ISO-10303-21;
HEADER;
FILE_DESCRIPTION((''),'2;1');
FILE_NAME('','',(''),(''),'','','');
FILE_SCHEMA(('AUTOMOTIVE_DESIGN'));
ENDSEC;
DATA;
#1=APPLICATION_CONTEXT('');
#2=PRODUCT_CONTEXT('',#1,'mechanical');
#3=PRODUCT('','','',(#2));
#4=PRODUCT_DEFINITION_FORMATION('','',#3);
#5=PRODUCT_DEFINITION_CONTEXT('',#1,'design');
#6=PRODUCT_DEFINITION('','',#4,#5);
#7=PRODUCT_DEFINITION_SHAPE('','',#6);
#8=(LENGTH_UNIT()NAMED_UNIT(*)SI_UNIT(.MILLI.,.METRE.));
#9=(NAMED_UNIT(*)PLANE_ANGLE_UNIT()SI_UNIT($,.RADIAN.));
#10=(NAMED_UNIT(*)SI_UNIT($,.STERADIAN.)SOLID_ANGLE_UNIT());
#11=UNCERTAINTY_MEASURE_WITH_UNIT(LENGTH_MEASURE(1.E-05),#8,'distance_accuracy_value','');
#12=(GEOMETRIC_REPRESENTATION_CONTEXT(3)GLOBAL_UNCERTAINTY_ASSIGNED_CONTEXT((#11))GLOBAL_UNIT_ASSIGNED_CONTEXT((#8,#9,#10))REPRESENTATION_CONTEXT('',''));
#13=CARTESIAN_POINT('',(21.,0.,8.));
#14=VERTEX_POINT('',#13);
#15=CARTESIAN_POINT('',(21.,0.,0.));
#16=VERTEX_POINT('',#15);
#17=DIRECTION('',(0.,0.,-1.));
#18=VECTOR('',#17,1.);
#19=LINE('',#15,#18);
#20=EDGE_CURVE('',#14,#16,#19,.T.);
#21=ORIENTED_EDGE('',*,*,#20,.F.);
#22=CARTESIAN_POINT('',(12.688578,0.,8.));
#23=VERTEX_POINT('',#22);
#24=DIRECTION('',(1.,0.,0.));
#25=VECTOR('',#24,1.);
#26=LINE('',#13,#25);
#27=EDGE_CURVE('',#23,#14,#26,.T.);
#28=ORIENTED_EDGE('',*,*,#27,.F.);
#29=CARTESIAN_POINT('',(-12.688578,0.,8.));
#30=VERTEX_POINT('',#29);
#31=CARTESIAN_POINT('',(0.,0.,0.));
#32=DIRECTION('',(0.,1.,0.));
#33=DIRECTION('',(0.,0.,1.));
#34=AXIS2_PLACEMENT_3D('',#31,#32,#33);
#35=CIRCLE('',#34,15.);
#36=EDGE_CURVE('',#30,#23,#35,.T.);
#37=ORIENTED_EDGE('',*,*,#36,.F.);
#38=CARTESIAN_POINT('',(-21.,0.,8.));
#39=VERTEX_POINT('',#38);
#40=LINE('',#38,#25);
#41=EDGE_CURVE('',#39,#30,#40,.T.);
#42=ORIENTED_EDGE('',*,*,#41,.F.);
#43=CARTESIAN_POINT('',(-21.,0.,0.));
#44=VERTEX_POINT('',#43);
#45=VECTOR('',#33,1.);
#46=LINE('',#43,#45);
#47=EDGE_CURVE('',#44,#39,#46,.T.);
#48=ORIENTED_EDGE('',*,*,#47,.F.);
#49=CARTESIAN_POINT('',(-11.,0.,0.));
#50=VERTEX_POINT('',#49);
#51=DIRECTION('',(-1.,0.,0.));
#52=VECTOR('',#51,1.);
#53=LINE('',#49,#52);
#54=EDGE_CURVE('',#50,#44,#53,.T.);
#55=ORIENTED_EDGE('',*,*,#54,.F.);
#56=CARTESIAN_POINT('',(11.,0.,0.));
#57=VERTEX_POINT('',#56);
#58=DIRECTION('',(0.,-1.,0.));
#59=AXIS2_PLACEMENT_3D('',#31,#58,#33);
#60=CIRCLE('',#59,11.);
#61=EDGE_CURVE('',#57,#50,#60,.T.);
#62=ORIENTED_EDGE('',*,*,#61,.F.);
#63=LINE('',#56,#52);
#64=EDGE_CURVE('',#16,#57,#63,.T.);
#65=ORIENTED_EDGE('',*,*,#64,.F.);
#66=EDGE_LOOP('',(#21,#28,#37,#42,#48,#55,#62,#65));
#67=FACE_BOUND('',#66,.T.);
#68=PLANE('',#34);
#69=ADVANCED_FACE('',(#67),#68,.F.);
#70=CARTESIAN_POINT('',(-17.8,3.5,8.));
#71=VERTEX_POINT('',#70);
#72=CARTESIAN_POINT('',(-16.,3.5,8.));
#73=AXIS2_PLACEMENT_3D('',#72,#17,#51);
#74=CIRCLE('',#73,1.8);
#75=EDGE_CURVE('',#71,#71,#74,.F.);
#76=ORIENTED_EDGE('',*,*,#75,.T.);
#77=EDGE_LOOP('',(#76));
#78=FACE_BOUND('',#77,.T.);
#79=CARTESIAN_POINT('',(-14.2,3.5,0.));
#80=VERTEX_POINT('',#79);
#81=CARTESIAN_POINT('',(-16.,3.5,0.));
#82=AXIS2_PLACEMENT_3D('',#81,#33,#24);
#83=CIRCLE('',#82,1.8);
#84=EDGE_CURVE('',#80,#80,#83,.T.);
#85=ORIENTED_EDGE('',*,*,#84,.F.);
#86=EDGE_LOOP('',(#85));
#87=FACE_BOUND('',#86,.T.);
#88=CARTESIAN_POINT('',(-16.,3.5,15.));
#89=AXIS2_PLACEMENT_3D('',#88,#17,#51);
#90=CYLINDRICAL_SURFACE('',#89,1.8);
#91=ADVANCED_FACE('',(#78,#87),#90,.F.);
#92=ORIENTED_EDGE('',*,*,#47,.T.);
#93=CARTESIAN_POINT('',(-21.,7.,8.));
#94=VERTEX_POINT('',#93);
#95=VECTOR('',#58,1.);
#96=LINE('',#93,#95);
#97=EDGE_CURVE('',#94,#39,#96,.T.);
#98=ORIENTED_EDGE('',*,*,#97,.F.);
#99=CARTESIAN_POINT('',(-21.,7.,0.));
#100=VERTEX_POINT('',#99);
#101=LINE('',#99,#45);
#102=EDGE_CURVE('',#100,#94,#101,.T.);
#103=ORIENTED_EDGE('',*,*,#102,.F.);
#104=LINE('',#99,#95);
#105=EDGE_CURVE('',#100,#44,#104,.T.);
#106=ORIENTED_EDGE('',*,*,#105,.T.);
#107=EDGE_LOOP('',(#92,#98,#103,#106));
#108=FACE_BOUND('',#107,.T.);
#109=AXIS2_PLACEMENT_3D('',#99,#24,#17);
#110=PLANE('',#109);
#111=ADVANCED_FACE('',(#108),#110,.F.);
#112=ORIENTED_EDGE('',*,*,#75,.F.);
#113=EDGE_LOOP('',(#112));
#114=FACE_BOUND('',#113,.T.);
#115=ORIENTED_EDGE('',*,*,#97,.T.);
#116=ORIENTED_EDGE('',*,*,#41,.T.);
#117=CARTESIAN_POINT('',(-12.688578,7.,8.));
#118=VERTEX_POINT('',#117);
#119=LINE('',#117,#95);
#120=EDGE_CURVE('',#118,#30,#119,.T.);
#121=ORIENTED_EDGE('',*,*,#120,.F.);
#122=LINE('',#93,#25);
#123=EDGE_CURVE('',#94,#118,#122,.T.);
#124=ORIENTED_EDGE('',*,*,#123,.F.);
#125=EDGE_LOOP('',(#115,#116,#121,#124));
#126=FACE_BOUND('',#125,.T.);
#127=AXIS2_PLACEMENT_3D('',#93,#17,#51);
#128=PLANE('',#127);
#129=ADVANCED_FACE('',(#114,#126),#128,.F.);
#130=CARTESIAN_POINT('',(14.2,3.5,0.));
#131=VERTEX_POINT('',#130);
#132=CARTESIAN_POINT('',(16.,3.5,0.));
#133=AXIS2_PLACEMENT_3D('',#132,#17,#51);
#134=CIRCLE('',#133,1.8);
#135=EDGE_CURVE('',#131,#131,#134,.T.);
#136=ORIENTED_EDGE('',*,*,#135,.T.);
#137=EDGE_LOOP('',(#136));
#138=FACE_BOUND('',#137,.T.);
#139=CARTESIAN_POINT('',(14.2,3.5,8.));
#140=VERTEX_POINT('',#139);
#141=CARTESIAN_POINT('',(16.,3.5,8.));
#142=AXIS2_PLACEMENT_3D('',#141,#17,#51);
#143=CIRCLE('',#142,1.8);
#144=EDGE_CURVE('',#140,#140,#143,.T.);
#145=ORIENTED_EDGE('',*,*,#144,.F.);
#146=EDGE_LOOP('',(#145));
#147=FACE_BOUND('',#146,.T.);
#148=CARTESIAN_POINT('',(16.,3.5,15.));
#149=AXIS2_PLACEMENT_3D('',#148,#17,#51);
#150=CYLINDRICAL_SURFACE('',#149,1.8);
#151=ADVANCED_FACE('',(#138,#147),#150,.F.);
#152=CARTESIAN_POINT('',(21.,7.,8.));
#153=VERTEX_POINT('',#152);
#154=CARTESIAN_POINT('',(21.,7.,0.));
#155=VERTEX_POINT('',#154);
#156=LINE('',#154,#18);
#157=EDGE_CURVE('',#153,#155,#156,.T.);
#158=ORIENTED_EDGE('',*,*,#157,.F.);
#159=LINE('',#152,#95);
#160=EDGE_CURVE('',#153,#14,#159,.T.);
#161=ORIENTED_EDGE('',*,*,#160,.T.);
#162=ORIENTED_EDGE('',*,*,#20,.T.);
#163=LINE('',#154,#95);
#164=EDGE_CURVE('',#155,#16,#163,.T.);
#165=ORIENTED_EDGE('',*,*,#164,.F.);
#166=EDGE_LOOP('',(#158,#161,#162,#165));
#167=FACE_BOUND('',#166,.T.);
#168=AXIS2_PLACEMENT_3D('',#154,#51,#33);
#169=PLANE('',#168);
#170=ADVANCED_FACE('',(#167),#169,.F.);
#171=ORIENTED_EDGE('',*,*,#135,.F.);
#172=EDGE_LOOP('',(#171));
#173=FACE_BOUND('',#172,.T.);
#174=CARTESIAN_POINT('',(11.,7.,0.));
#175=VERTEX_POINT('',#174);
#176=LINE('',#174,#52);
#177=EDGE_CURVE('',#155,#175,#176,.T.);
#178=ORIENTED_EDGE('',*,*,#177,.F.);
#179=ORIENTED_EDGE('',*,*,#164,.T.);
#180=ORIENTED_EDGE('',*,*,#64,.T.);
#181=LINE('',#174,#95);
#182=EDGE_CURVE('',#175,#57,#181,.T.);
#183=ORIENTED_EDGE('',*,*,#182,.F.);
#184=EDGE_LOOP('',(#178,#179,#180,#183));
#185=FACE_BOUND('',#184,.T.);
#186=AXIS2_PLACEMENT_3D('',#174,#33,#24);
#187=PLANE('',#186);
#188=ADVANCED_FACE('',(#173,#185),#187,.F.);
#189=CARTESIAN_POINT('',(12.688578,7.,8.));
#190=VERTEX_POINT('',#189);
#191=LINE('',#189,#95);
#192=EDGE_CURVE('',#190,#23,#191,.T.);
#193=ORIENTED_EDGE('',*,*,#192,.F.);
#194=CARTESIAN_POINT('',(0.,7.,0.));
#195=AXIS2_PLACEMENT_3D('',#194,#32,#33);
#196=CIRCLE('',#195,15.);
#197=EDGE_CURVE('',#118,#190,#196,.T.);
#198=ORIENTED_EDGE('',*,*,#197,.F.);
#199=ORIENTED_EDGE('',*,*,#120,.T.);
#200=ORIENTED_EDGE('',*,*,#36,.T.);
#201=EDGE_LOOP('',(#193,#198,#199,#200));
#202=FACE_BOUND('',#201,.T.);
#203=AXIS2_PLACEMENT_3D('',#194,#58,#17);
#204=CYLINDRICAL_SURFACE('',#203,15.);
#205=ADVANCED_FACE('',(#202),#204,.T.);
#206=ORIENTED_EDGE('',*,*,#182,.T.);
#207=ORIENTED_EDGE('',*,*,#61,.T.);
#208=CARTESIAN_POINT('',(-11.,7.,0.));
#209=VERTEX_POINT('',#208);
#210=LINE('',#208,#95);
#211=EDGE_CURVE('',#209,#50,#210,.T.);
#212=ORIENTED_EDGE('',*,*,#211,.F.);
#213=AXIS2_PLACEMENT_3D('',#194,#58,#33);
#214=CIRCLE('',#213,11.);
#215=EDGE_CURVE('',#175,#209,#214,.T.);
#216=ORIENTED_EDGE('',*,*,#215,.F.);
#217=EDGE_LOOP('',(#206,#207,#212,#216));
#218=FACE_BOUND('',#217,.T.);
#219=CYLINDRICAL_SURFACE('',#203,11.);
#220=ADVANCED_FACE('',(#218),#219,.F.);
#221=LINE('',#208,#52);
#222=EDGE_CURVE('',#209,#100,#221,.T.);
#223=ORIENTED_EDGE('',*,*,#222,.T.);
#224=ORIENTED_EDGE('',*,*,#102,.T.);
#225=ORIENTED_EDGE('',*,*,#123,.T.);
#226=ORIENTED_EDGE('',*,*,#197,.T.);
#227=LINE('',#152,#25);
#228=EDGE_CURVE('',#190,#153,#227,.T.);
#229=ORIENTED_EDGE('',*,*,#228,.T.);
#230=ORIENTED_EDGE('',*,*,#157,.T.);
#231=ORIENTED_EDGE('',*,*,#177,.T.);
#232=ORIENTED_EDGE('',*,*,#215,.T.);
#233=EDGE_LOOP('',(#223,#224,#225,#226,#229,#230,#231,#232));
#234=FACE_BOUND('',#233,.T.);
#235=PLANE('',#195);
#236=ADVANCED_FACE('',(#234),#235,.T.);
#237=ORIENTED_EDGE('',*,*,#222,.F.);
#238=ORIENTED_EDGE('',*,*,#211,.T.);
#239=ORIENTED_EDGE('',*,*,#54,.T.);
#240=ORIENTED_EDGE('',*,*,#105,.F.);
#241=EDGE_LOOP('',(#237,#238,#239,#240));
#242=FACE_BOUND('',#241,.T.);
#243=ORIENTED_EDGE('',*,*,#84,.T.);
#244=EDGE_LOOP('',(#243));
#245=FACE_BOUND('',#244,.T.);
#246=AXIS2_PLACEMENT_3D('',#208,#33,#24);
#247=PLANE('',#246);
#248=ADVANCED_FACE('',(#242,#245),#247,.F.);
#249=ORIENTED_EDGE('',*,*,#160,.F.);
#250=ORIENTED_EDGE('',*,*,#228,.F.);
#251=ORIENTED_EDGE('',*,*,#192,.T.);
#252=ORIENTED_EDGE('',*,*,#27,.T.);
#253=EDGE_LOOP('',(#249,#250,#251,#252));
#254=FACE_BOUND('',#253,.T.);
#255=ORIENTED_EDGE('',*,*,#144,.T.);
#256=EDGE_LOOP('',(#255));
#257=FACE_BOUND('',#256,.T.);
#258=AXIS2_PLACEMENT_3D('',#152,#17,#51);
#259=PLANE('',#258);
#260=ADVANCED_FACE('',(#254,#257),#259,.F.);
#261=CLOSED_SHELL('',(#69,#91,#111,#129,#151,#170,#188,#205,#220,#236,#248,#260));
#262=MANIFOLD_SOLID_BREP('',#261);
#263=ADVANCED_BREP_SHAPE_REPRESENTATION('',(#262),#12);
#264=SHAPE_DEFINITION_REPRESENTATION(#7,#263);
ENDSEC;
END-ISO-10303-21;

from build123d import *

# Parameters (mm, degrees)
BOSS_EXTRUDE1_DEPTH = 7
SKETCH4_R           = 1.8
CUT_EXTRUDE3_DEPTH  = 27.739483914


with BuildPart() as part:
    # Sketch3 → Boss-Extrude1 (new body)
    with BuildSketch(Plane(origin=(0, 0, 0), x_dir=(1, 0, 0), z_dir=(0, 1, 0))):
        with BuildLine():
            Line((-11, 0), (-21, 0))
            Line((-21, 0), (-21, -8))
            Line((-21, -8), (-12.68857754, -8))
            ThreePointArc((-12.68857754, -8), (0, -15), (12.68857754, -8))
            Line((12.68857754, -8), (21, -8))
            Line((21, -8), (21, 0))
            Line((21, 0), (11, 0))
            ThreePointArc((11, 0), (0, -11), (-11, 0))
        make_face()
    extrude(amount=BOSS_EXTRUDE1_DEPTH)

    # Sketch4 → Cut-Extrude3 (cut, symmetric)
    with BuildSketch(Plane.XY):
        with Locations(Location((16, 3.5, 0), (0, 0, 180))):
            Circle(SKETCH4_R)
    cut_extrude3 = extrude(amount=CUT_EXTRUDE3_DEPTH, both=True, mode=Mode.SUBTRACT)

    # Mirror1: Cut-Extrude3 across plane
    add(cut_extrude3.mirror(Plane(origin=(0, 0, 0), x_dir=(0, 0, 1), z_dir=(1, 0, 0))), mode=Mode.SUBTRACT)


solid = part.part
